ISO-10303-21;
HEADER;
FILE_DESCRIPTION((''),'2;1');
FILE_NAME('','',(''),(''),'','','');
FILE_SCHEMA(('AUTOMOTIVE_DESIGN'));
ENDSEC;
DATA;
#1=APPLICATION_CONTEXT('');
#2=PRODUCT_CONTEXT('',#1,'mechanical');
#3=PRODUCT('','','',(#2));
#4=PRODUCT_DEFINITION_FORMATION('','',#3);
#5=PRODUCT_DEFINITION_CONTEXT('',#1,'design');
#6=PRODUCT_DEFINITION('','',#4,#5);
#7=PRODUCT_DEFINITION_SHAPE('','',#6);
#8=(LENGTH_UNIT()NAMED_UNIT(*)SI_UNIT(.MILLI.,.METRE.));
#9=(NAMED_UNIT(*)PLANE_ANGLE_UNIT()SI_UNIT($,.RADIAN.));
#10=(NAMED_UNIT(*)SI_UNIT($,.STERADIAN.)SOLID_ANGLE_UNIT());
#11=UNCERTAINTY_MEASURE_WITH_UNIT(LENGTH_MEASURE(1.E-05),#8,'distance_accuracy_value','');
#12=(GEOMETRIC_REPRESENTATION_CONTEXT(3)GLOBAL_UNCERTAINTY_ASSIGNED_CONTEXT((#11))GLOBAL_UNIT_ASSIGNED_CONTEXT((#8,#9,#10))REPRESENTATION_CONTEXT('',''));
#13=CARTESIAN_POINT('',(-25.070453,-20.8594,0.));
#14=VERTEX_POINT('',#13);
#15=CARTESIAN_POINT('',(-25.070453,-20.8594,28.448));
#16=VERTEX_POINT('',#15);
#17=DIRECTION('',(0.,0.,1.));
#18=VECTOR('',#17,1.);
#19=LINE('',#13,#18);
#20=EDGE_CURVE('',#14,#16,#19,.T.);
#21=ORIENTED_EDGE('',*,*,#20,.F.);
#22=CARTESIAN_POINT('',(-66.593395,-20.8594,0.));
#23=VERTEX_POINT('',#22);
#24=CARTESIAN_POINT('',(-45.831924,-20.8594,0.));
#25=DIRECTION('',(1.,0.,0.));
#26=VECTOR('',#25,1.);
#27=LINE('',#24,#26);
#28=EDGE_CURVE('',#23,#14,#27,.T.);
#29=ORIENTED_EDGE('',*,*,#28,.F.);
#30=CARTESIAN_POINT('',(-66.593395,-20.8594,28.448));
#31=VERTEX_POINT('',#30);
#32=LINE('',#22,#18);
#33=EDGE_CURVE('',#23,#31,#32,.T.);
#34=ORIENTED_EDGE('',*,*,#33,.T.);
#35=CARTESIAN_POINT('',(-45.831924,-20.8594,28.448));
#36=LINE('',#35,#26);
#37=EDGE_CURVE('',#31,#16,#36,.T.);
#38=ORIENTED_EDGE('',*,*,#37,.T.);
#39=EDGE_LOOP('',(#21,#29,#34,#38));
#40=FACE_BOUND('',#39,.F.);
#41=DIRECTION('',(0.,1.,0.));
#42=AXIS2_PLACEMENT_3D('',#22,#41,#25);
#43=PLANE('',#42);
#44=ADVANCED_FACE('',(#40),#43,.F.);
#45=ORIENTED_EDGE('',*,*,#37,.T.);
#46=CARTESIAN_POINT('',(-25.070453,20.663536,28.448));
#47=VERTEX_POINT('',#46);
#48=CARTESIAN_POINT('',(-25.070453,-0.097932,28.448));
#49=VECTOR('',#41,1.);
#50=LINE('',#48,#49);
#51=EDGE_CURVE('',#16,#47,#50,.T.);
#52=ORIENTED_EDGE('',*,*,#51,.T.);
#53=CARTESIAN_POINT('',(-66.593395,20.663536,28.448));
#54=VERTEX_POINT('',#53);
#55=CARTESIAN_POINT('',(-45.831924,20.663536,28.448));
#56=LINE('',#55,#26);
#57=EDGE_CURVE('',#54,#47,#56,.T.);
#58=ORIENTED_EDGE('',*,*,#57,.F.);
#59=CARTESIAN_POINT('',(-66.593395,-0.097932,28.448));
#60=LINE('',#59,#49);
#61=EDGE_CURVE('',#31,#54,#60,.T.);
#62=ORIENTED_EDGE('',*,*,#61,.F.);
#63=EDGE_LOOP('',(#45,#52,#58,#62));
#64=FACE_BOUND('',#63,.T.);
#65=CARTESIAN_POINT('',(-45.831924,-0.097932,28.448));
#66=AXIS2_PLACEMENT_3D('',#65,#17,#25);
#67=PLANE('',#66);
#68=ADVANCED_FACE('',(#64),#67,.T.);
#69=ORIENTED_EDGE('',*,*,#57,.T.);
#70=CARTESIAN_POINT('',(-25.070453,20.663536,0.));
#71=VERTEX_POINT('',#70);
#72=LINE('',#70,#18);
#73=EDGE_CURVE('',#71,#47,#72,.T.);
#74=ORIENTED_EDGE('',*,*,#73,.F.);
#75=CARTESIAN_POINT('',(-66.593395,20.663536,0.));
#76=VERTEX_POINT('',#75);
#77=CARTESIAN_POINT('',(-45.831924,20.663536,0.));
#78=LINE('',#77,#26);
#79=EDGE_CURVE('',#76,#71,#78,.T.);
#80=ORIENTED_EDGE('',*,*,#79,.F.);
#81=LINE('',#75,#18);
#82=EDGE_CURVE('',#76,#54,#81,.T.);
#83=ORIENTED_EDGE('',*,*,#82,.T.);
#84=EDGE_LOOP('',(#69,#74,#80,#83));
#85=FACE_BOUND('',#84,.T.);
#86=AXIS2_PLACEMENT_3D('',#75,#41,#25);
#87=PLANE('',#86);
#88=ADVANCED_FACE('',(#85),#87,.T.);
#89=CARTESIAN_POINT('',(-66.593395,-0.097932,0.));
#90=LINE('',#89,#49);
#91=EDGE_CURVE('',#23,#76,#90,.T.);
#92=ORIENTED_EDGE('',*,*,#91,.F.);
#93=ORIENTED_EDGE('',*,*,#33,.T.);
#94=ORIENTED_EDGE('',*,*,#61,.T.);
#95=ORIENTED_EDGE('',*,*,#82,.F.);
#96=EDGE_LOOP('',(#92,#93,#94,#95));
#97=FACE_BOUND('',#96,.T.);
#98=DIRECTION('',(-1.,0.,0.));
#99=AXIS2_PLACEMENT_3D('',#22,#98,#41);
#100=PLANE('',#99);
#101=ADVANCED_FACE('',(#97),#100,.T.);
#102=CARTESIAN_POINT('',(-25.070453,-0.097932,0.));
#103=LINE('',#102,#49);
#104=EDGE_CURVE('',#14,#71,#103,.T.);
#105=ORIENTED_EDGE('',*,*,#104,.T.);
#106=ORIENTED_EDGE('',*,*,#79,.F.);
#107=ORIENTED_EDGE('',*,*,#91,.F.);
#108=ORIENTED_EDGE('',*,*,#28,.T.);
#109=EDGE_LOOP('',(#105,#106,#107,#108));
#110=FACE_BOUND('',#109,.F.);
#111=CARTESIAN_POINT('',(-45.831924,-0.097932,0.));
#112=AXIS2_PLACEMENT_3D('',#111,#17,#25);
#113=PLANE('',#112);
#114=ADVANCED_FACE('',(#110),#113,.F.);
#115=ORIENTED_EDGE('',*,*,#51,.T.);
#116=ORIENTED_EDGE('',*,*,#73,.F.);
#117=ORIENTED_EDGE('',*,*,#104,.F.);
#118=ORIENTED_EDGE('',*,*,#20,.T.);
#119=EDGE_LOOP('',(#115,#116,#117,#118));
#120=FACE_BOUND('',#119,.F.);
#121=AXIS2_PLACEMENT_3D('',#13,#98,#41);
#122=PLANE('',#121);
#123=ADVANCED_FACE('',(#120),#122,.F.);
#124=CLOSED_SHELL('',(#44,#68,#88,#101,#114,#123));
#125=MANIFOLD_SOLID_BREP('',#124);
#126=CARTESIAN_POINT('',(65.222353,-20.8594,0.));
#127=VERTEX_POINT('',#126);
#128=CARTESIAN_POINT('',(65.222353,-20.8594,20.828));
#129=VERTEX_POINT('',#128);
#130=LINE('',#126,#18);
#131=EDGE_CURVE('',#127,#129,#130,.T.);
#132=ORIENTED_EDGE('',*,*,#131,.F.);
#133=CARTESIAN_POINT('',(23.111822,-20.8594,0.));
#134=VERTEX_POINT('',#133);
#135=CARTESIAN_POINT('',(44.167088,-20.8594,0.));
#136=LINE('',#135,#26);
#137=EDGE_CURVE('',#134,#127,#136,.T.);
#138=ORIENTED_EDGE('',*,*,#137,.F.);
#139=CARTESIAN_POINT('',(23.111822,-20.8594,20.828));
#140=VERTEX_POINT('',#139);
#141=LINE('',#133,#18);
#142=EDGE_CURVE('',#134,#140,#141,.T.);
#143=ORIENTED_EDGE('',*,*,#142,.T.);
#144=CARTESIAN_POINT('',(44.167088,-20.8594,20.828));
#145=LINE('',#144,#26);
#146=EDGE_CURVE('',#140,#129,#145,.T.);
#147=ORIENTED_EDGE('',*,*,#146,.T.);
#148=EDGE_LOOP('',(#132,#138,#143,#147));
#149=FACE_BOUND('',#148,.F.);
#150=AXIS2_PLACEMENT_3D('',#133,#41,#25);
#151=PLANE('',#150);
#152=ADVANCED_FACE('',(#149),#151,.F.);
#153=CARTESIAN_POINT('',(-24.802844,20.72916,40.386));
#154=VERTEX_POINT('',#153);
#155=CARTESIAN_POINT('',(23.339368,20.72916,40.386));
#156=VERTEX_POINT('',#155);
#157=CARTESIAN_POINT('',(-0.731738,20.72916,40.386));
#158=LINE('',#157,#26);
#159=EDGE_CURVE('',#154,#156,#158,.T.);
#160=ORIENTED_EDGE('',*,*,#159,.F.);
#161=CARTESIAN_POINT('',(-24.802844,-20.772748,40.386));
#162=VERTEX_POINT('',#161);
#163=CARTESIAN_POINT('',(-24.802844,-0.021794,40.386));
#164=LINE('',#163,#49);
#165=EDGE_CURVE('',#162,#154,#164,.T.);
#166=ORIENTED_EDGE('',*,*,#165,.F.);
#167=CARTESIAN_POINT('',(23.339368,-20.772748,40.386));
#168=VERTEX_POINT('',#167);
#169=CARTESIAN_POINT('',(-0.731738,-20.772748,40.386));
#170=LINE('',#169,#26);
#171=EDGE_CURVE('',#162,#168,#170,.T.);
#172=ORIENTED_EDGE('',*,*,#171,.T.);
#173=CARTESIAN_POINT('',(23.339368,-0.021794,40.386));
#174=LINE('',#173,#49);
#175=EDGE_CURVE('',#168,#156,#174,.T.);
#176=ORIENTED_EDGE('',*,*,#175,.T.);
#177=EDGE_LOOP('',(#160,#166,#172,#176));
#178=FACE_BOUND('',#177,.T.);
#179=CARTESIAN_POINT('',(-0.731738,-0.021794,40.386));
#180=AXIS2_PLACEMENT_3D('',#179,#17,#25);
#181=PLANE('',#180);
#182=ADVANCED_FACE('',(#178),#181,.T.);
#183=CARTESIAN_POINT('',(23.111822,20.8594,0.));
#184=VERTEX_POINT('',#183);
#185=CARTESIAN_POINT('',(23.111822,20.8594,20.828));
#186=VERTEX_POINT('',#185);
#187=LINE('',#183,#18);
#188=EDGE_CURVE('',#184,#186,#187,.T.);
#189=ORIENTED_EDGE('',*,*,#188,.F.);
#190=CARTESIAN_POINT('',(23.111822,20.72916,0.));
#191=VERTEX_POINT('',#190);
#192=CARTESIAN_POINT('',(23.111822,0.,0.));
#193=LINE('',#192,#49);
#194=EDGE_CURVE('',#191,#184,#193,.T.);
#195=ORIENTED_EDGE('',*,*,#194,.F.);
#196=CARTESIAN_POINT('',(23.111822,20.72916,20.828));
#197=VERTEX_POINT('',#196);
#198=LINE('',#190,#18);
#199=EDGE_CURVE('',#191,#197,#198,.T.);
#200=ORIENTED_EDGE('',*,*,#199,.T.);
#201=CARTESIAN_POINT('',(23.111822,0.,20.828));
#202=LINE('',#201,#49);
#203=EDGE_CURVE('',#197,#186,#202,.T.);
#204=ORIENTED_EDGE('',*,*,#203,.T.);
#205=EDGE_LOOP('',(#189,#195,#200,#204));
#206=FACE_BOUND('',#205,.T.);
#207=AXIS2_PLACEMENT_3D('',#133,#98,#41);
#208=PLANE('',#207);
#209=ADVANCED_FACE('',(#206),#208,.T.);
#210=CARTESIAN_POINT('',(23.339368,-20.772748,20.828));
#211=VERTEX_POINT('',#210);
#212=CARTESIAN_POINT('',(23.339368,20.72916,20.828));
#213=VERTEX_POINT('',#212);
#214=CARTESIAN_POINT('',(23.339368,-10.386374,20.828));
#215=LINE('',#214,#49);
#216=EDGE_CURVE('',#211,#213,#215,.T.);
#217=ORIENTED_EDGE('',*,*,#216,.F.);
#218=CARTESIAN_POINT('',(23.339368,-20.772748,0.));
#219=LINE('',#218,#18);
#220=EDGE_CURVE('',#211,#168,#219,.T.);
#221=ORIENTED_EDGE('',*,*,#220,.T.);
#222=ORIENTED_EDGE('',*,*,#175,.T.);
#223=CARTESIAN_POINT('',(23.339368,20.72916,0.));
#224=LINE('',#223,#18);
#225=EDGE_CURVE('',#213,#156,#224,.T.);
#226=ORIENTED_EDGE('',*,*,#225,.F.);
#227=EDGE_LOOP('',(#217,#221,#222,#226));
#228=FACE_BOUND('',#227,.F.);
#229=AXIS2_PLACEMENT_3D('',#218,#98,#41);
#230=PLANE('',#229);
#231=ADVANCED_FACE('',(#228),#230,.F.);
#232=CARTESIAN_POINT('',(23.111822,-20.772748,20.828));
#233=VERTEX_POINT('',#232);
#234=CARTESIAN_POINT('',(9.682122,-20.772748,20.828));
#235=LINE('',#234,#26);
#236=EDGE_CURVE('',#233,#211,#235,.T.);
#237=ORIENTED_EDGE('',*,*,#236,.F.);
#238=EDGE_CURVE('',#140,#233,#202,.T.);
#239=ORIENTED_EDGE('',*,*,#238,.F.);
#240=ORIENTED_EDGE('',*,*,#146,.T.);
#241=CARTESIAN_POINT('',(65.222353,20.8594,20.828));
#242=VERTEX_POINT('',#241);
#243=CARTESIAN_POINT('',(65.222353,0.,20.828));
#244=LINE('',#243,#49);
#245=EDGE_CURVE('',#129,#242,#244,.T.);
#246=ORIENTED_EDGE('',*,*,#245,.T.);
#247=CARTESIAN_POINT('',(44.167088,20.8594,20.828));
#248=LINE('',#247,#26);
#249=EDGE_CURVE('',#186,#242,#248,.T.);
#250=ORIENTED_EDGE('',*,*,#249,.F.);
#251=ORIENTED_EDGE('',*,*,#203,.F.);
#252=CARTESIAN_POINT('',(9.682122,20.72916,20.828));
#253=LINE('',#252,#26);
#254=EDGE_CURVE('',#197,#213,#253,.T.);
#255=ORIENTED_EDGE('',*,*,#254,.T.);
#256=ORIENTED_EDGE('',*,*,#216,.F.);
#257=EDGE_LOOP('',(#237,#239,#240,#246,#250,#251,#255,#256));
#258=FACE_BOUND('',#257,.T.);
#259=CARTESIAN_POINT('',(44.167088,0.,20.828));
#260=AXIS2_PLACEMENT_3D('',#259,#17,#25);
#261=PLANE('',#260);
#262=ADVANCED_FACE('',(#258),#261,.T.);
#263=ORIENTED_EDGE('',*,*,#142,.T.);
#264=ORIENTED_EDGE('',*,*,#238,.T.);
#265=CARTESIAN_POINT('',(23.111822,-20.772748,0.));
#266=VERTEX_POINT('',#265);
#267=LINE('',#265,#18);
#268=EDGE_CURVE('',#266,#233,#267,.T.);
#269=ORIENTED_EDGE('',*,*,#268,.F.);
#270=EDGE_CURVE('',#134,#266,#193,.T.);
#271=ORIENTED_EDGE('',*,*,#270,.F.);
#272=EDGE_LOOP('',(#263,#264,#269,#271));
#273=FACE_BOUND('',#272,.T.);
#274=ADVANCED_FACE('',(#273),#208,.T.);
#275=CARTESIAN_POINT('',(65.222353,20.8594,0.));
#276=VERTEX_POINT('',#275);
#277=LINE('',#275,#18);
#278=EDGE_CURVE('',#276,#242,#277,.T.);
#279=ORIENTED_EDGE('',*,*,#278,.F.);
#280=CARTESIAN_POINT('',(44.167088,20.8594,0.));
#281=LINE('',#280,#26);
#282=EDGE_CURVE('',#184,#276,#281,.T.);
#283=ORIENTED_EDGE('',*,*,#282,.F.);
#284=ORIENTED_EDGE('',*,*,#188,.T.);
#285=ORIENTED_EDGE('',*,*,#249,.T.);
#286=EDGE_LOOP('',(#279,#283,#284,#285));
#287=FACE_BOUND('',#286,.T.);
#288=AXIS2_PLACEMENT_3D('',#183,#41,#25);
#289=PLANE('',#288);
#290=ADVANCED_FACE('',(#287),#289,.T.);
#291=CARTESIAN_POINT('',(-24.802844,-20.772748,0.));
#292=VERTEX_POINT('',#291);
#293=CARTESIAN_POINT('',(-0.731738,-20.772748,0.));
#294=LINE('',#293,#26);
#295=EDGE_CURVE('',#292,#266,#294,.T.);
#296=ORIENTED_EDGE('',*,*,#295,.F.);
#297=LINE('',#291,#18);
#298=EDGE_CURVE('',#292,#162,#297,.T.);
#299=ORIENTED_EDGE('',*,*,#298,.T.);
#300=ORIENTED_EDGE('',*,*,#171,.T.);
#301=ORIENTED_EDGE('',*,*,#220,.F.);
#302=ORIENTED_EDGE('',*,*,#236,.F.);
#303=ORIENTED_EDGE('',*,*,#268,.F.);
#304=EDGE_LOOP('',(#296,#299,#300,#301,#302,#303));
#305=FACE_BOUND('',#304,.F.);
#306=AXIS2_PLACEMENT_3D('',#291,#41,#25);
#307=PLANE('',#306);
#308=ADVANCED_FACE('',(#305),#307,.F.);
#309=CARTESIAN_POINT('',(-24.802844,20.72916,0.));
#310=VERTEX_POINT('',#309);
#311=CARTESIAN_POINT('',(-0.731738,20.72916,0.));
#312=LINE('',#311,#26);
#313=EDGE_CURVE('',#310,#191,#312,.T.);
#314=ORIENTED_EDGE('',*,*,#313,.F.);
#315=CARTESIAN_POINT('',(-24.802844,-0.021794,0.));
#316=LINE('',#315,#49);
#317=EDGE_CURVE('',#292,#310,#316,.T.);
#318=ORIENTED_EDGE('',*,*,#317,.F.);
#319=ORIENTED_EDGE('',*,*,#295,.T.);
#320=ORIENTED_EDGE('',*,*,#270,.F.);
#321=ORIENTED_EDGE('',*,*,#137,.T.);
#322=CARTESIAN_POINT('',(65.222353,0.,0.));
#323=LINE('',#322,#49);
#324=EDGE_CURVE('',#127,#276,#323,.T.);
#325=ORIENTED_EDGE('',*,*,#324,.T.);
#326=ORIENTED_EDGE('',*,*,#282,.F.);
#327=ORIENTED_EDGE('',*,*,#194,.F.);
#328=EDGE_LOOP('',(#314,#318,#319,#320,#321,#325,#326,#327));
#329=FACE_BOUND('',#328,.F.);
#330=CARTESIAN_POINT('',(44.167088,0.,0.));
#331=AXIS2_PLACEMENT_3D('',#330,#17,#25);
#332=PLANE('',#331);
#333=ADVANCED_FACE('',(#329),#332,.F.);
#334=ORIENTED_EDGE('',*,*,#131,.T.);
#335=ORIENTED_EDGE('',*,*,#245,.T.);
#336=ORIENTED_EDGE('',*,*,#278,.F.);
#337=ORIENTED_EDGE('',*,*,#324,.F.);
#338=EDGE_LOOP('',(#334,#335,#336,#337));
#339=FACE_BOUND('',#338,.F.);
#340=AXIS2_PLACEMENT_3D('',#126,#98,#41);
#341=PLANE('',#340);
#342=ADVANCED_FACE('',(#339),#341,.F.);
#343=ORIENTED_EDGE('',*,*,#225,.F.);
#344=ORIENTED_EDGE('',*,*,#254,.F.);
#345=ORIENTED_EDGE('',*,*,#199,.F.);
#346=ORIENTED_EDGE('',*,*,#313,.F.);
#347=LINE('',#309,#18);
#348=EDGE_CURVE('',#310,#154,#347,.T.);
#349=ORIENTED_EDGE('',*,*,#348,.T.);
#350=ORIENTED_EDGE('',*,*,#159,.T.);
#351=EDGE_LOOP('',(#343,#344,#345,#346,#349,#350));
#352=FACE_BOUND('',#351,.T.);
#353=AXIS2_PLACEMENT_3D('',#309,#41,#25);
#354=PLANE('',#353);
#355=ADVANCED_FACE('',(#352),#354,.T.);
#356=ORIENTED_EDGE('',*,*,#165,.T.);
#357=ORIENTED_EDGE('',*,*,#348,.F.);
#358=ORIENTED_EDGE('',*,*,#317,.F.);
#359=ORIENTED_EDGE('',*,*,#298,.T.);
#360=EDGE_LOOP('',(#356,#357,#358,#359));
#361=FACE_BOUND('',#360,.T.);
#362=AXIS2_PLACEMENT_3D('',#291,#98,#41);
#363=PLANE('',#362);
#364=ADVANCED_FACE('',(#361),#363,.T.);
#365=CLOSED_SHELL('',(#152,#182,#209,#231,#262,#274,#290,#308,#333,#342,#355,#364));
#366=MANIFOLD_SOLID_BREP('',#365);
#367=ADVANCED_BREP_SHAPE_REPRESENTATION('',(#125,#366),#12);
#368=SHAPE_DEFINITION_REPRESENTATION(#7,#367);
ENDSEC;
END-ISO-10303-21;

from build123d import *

# Parameters (mm, degrees)
F0_W     = 48.142213
F0_H     = 41.501908
F1_DEPTH = 40.386
F2_W     = 41.522941
F2_H     = 41.522937
F3_DEPTH = 28.448
F4_W     = 42.110531
F4_H     = 41.7188
F5_DEPTH = 20.828


with BuildPart() as f1:
    # F0 (on Top) → F1 (new body)
    with BuildSketch(Plane.XY):
        with Locations((-0.731738, -0.021794)):
            Rectangle(F0_W, F0_H)
    extrude(amount=F1_DEPTH)

    # F4 (on Top) → F5 (join)
    with BuildSketch(Plane.XY):
        with Locations((44.167088, 0)):
            Rectangle(F4_W, F4_H)
    extrude(amount=F5_DEPTH)


with BuildPart() as f3:
    # F2 (on Top) → F3 (new body)
    with BuildSketch(Plane.XY):
        with Locations((-45.831924, -0.097932)):
            Rectangle(F2_W, F2_H)
    extrude(amount=F3_DEPTH)


solid = Compound([f1.part, f3.part])
